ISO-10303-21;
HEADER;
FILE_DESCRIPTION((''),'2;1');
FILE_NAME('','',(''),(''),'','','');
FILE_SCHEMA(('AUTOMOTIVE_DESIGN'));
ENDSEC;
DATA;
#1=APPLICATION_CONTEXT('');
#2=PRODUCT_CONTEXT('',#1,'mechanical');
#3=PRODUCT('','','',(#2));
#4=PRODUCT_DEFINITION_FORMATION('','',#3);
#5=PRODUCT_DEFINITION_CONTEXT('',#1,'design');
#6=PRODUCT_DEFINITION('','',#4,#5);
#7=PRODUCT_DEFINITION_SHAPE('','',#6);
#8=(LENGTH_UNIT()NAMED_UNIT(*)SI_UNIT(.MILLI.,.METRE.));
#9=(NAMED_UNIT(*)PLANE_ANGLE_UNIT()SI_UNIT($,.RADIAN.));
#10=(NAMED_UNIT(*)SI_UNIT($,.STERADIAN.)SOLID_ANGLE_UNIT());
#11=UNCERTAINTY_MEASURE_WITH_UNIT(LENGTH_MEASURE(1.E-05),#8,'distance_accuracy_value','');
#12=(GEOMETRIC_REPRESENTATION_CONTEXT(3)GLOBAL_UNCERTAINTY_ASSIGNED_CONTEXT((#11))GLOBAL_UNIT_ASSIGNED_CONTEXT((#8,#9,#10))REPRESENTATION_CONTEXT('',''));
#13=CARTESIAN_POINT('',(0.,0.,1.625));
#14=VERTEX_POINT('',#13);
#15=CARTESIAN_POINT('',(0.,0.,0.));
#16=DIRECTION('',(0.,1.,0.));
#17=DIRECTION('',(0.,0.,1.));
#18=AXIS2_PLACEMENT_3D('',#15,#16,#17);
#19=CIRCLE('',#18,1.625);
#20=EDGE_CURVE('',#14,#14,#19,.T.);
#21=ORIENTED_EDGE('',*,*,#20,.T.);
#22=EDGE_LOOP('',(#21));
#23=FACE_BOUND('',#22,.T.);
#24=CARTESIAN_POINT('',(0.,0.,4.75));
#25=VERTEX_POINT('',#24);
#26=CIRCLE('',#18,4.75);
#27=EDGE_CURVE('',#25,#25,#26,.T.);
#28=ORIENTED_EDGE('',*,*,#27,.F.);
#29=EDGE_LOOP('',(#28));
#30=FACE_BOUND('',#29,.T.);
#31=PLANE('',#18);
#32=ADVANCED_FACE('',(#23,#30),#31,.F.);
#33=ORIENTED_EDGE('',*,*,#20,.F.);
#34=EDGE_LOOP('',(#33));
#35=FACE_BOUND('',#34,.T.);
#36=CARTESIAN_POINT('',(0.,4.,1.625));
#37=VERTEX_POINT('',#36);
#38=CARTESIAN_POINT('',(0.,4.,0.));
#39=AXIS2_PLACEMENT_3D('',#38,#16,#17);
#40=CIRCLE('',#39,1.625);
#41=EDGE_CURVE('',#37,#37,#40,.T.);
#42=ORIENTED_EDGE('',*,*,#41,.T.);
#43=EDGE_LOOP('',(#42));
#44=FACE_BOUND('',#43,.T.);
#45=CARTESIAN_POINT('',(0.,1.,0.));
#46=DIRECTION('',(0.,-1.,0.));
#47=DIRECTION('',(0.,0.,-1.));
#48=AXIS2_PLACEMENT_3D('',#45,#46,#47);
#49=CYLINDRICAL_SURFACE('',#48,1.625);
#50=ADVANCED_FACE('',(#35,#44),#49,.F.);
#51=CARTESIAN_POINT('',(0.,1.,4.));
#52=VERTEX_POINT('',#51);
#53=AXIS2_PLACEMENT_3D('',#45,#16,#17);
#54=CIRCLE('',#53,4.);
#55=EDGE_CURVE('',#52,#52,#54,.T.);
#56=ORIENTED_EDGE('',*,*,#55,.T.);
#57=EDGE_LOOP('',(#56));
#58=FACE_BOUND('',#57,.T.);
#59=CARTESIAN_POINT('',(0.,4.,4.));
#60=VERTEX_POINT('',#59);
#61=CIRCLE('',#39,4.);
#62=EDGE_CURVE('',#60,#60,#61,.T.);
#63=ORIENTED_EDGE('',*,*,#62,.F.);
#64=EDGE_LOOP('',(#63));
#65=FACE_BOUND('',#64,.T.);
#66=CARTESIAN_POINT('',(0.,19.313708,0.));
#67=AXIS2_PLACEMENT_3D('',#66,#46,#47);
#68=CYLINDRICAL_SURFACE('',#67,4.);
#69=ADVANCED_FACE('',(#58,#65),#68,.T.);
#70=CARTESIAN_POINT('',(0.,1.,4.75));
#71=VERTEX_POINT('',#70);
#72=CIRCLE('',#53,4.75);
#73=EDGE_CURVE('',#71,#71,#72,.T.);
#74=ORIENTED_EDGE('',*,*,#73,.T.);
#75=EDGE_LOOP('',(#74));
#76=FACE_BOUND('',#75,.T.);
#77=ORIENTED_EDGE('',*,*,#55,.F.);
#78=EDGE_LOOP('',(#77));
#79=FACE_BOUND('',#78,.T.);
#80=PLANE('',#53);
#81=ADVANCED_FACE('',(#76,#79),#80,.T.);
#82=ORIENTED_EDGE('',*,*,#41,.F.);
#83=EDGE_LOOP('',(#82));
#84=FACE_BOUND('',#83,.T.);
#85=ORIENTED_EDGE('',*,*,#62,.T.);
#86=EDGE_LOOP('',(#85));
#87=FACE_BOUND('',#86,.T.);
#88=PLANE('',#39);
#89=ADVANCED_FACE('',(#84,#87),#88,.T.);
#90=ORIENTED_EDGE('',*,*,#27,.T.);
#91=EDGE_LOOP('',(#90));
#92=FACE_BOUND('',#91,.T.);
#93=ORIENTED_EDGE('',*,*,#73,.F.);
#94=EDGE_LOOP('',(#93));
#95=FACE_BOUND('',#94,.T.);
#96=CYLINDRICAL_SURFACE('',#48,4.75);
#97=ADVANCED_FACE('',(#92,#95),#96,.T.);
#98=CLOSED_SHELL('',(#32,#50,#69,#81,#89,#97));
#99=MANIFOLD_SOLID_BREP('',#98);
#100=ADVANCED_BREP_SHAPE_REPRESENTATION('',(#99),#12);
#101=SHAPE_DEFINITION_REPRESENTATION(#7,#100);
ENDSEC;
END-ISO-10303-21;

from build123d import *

# Parameters (mm, degrees)
SKETCH1_R           = 4.75
SKETCH1_R_2         = 1.625
BOSS_EXTRUDE1_DEPTH = 1
SKETCH2_R           = 4
SKETCH2_R_2         = 1.625
BOSS_EXTRUDE2_DEPTH = 3


with BuildPart() as part:
    # Sketch1 → Boss-Extrude1 (new body)
    with BuildSketch(Plane(origin=(0, 0, 0), x_dir=(1, 0, 0), z_dir=(0, 1, 0))):
        with Locations(Location((0, 0, 0), (0, 0, 270))):
            Circle(SKETCH1_R)
        with Locations(Location((0, 0, 0), (0, 0, 270))):
            Circle(SKETCH1_R_2, mode=Mode.SUBTRACT)
    extrude(amount=BOSS_EXTRUDE1_DEPTH)

    # Sketch2 → Boss-Extrude2 (add)
    with BuildSketch(Plane(origin=(0, 1, 0), x_dir=(1, 0, 0), z_dir=(0, 1, 0))):
        with Locations(Location((0, 0, 0), (0, 0, 270))):
            Circle(SKETCH2_R)
        with Locations(Location((0, 0, 0), (0, 0, 270))):
            Circle(SKETCH2_R_2, mode=Mode.SUBTRACT)
    extrude(amount=BOSS_EXTRUDE2_DEPTH)


solid = part.part
